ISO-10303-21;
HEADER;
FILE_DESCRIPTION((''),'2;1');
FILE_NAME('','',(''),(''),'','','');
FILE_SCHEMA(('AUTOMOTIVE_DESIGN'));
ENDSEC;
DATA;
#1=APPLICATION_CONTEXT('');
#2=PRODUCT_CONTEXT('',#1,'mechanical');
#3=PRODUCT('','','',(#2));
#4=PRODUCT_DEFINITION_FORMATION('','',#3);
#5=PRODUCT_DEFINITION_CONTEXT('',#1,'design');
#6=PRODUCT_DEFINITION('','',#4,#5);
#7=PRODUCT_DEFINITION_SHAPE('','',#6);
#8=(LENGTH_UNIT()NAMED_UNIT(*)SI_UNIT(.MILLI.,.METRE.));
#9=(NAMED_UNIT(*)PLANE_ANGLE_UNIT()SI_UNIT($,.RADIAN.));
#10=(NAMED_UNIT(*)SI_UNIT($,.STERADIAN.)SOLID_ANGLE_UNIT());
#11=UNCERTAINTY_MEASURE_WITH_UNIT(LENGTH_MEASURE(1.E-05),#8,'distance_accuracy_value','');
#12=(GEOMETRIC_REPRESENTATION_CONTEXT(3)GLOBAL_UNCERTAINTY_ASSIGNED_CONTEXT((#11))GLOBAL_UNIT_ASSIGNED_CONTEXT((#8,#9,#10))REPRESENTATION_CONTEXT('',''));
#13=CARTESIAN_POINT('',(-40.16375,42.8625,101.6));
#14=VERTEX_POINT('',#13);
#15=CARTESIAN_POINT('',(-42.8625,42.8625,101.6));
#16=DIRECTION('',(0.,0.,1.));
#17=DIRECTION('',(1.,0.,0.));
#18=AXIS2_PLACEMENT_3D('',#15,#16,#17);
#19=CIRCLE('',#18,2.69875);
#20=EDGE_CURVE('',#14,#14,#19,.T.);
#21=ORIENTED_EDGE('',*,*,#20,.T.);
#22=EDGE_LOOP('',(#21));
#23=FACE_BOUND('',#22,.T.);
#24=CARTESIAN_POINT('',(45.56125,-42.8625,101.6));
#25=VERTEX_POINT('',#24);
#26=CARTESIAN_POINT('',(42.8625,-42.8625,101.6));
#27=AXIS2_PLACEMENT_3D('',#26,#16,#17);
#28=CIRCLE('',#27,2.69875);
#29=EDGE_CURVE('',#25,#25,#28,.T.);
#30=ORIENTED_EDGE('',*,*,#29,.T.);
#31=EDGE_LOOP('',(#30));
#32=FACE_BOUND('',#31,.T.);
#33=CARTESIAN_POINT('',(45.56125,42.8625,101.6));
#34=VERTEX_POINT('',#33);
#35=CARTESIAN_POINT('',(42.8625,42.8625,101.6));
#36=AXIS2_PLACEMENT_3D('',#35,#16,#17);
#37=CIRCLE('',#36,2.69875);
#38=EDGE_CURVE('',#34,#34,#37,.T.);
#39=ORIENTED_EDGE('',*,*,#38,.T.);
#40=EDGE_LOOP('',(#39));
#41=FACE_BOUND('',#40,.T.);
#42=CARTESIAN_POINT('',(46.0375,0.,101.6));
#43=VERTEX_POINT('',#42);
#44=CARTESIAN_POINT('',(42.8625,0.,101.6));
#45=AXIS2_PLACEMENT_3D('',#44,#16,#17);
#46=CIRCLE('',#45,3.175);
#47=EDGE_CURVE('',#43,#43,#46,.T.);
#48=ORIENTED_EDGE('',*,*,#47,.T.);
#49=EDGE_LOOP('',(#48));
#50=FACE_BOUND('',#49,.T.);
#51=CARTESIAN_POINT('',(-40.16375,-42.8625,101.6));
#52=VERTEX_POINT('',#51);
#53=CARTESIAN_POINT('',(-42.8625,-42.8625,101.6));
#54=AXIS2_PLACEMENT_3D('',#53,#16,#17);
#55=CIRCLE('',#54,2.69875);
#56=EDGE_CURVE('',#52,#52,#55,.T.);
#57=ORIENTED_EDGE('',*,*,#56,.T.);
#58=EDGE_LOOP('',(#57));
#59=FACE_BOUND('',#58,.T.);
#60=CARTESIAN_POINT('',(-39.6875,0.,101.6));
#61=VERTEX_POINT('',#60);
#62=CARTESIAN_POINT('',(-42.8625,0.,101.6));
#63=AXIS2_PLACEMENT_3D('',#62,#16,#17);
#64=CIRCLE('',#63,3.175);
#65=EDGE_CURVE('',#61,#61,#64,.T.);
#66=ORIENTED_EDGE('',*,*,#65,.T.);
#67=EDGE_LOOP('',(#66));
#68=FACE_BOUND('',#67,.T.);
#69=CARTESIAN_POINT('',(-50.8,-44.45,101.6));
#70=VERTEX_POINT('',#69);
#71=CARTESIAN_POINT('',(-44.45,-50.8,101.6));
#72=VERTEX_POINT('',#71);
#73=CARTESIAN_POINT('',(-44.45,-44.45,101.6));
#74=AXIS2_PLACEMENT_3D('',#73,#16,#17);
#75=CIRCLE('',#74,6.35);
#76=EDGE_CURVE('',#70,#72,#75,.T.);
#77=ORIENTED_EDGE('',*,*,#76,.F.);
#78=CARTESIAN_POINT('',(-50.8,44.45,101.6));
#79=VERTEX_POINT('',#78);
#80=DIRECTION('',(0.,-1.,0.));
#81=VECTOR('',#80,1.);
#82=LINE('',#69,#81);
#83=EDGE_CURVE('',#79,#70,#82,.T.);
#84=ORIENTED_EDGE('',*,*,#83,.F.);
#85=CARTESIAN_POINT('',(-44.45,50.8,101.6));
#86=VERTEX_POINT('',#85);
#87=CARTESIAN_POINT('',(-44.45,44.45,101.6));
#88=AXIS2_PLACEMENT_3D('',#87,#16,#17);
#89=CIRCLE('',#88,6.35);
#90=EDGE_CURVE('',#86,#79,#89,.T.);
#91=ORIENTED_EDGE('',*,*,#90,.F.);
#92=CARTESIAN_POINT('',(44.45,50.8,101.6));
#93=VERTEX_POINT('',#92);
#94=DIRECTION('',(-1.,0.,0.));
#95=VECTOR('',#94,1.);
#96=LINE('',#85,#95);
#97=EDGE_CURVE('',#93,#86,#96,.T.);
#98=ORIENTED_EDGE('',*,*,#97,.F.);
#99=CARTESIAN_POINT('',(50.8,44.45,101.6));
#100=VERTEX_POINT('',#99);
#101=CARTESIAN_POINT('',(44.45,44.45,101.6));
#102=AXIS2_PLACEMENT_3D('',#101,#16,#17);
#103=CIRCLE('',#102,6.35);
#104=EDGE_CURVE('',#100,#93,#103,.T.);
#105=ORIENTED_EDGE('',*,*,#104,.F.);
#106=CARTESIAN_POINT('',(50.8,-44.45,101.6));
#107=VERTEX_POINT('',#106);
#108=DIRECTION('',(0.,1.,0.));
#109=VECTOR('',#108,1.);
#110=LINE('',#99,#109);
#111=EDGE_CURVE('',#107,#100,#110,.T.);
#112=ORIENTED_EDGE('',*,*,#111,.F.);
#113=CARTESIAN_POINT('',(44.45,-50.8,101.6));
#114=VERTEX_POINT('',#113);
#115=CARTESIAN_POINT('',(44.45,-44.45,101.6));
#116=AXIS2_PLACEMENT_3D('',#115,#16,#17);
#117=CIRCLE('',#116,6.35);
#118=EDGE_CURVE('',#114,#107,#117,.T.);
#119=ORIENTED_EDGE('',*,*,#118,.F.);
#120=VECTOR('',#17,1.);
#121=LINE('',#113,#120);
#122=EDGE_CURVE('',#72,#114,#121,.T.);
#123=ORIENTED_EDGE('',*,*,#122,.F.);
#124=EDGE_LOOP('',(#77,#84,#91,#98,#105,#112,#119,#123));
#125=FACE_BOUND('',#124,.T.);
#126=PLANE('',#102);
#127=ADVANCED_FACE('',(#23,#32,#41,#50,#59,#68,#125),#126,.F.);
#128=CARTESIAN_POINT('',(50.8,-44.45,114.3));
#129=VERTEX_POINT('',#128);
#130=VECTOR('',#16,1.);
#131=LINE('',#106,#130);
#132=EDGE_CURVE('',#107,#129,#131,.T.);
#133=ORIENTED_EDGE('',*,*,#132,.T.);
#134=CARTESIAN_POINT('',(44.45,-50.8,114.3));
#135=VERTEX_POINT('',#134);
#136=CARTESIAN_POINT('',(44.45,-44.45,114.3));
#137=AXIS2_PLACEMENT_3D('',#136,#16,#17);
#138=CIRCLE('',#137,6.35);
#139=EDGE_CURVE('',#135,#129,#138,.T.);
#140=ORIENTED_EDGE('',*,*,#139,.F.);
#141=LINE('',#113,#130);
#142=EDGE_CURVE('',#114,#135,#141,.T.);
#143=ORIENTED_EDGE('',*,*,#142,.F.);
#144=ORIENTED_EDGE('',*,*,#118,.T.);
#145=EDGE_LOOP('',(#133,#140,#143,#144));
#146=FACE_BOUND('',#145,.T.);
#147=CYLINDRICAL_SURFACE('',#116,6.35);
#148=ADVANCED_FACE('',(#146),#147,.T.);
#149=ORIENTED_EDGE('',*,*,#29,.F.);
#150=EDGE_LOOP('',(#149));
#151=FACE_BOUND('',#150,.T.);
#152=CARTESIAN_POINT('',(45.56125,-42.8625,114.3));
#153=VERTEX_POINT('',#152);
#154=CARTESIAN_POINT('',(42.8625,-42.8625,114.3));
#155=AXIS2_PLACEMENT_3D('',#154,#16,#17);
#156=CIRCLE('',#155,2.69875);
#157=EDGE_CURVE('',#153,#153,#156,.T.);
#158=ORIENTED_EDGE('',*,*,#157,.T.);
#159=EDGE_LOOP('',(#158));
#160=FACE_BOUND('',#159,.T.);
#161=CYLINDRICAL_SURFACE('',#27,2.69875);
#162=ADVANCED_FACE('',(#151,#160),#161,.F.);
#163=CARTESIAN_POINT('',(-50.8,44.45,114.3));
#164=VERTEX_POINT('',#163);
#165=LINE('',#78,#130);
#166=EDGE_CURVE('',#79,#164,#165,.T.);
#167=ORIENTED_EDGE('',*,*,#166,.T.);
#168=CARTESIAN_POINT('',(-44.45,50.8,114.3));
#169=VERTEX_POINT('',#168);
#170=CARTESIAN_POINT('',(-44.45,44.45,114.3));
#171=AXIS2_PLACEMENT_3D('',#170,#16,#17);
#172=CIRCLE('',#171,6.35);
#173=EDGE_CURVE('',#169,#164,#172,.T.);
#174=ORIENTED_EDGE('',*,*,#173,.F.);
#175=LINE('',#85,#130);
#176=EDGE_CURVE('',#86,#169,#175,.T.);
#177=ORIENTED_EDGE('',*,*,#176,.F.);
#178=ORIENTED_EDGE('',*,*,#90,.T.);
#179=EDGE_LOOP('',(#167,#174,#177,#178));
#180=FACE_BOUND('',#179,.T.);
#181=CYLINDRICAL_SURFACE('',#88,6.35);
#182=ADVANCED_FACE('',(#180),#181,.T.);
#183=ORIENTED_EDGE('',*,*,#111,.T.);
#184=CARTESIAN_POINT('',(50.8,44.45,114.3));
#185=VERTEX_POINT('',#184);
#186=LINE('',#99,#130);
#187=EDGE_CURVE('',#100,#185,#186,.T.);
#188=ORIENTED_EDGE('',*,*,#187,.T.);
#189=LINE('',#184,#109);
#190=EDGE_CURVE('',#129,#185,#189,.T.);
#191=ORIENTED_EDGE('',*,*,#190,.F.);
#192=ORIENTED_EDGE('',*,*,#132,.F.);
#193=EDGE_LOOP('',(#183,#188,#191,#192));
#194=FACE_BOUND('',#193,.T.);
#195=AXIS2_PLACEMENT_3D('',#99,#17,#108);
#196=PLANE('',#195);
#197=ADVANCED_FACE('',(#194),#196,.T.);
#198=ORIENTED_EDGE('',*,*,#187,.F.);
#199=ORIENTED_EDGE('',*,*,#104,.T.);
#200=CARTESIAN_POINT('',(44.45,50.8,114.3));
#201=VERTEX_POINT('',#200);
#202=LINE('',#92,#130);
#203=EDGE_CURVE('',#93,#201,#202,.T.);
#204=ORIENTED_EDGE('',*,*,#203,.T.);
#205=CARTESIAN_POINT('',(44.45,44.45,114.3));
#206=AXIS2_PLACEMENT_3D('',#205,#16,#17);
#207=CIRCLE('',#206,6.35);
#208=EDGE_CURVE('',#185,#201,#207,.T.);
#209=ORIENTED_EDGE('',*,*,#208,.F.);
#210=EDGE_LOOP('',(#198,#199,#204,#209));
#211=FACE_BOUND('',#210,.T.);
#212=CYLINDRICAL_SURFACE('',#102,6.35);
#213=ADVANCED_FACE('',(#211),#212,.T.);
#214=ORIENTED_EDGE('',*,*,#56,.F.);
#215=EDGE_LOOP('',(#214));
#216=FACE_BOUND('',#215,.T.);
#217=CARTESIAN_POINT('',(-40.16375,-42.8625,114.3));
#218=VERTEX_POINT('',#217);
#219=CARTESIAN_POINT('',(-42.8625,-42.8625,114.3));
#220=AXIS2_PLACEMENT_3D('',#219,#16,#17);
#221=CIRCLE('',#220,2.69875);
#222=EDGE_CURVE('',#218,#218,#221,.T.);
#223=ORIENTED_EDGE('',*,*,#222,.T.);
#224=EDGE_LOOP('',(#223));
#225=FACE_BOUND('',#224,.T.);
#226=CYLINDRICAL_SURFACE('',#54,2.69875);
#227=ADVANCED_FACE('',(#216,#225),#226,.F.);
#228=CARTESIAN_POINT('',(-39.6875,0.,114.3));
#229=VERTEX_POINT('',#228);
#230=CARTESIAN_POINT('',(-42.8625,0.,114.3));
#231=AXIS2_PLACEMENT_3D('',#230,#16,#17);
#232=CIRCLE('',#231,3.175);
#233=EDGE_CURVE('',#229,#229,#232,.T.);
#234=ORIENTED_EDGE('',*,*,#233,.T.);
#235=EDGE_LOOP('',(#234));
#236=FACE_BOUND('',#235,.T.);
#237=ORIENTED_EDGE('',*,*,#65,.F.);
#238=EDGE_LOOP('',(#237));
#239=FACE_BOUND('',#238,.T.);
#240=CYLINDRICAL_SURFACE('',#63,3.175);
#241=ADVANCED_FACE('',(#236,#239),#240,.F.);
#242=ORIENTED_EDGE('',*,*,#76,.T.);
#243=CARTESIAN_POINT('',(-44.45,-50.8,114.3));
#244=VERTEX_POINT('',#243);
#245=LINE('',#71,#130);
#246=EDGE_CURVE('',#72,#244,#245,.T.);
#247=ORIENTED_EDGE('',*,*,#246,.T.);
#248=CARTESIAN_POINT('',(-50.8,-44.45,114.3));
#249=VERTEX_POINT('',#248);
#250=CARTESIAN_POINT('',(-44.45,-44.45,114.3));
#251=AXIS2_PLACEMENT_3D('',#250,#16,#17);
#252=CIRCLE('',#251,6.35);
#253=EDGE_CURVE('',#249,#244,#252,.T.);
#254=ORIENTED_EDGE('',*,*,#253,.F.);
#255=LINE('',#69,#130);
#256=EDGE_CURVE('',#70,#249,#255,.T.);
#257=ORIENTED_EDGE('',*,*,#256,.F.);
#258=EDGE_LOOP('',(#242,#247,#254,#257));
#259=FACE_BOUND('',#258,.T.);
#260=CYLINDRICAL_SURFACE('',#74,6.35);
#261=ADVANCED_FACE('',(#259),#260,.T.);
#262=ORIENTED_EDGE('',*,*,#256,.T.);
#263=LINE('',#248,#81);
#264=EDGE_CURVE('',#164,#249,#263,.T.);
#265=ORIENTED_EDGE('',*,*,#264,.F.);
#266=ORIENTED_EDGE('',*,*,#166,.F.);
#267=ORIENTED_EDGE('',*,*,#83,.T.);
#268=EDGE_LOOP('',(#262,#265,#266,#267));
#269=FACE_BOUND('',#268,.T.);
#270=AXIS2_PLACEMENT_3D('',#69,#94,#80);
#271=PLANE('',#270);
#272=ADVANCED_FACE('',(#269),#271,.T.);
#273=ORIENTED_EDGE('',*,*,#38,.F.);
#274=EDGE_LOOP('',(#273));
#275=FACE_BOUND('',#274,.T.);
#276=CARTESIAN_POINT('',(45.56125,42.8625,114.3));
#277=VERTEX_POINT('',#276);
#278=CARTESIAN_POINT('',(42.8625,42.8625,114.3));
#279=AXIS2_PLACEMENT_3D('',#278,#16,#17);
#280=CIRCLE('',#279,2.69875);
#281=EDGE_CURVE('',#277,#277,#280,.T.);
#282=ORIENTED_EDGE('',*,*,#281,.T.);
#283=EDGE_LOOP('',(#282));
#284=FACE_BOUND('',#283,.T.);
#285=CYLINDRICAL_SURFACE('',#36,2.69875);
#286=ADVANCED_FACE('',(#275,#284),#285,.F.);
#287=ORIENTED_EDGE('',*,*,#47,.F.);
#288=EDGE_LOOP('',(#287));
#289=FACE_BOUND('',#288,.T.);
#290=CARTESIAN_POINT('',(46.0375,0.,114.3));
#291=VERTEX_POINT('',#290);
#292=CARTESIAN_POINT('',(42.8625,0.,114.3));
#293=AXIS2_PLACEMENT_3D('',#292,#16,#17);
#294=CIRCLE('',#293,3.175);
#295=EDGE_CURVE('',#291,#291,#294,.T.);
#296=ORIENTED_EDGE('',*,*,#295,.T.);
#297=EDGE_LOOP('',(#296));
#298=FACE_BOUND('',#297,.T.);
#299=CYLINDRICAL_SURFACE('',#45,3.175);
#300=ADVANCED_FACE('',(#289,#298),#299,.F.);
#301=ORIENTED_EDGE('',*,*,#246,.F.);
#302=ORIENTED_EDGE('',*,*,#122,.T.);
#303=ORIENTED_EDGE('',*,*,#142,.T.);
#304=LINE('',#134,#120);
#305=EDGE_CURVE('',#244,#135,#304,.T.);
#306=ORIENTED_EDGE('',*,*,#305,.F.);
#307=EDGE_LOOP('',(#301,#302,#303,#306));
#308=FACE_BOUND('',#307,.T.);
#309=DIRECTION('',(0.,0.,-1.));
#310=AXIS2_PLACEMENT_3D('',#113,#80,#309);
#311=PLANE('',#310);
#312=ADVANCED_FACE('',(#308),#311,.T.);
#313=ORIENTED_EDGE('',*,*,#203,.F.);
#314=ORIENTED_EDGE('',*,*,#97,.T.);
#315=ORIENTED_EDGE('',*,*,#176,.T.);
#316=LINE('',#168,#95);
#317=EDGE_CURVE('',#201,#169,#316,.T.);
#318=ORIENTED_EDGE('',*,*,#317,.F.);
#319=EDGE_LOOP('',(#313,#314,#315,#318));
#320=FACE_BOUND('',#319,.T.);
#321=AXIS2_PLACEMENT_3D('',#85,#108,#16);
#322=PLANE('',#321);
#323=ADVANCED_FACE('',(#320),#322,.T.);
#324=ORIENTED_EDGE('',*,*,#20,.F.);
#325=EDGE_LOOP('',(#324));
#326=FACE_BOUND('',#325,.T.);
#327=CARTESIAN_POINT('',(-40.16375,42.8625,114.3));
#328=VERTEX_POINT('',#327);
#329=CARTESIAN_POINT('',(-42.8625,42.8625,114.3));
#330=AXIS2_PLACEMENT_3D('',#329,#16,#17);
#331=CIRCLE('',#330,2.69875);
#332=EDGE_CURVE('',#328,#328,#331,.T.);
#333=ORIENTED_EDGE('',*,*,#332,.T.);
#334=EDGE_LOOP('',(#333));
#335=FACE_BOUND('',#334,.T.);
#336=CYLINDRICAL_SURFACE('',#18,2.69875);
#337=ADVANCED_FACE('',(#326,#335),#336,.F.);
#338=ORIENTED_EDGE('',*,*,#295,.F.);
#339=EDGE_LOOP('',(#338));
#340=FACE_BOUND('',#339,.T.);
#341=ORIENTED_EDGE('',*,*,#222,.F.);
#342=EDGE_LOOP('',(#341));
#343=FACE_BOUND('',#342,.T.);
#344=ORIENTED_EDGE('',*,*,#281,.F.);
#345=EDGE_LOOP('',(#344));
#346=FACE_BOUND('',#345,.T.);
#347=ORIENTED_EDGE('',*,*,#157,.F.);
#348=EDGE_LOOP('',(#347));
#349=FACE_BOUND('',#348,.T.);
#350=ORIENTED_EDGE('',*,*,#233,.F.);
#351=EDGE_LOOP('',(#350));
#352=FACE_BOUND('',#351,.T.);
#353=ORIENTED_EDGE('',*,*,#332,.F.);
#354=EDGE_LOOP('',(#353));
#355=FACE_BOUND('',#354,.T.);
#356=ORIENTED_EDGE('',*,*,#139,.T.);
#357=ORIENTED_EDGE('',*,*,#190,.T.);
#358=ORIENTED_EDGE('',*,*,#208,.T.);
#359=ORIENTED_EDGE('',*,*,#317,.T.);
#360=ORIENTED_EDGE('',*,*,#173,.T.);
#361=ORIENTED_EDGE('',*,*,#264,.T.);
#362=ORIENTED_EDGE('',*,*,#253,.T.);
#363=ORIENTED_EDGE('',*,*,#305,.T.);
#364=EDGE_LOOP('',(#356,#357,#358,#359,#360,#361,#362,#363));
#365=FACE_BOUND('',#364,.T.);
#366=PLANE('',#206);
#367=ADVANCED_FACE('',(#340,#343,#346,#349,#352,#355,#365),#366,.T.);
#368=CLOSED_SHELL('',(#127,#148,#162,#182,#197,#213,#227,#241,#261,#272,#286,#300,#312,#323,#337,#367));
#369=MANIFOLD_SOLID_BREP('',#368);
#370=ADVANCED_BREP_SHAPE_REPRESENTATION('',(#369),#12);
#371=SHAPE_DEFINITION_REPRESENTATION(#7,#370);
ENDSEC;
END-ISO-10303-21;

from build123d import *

# Parameters (mm, degrees)
TOP_PLATE_SKETCH_PROFILE_R   = 3.175
TOP_PLATE_SKETCH_PROFILE_R_2 = 2.69875
TOP_PLATE_EXTRUDE_DEPTH      = 12.7


with BuildPart() as part:
    # Top Plate Sketch Profile → Top Plate Extrude (new body)
    with BuildSketch(Plane.XY.offset(114.3)):
        with BuildLine():
            Line((50.8, 44.45), (50.8, -44.45))
            ThreePointArc((50.8, -44.45), (48.940128061, -48.940128061), (44.45, -50.8))
            Line((44.45, -50.8), (-44.45, -50.8))
            ThreePointArc((-44.45, -50.8), (-48.940128061, -48.940128061), (-50.8, -44.45))
            Line((-50.8, -44.45), (-50.8, 44.45))
            ThreePointArc((-50.8, 44.45), (-48.940128061, 48.940128061), (-44.45, 50.8))
            Line((-44.45, 50.8), (44.45, 50.8))
            ThreePointArc((44.45, 50.8), (48.940128061, 48.940128061), (50.8, 44.45))
        make_face()
        with Locations((42.8625, 0)):
            Circle(TOP_PLATE_SKETCH_PROFILE_R, mode=Mode.SUBTRACT)
        with Locations((-42.8625, 0)):
            Circle(TOP_PLATE_SKETCH_PROFILE_R, mode=Mode.SUBTRACT)
        with Locations((-42.8625, 42.8625)):
            Circle(TOP_PLATE_SKETCH_PROFILE_R_2, mode=Mode.SUBTRACT)
        with Locations((42.8625, 42.8625)):
            Circle(TOP_PLATE_SKETCH_PROFILE_R_2, mode=Mode.SUBTRACT)
        with Locations((42.8625, -42.8625)):
            Circle(TOP_PLATE_SKETCH_PROFILE_R_2, mode=Mode.SUBTRACT)
        with Locations((-42.8625, -42.8625)):
            Circle(TOP_PLATE_SKETCH_PROFILE_R_2, mode=Mode.SUBTRACT)
    extrude(amount=-TOP_PLATE_EXTRUDE_DEPTH)


solid = part.part
